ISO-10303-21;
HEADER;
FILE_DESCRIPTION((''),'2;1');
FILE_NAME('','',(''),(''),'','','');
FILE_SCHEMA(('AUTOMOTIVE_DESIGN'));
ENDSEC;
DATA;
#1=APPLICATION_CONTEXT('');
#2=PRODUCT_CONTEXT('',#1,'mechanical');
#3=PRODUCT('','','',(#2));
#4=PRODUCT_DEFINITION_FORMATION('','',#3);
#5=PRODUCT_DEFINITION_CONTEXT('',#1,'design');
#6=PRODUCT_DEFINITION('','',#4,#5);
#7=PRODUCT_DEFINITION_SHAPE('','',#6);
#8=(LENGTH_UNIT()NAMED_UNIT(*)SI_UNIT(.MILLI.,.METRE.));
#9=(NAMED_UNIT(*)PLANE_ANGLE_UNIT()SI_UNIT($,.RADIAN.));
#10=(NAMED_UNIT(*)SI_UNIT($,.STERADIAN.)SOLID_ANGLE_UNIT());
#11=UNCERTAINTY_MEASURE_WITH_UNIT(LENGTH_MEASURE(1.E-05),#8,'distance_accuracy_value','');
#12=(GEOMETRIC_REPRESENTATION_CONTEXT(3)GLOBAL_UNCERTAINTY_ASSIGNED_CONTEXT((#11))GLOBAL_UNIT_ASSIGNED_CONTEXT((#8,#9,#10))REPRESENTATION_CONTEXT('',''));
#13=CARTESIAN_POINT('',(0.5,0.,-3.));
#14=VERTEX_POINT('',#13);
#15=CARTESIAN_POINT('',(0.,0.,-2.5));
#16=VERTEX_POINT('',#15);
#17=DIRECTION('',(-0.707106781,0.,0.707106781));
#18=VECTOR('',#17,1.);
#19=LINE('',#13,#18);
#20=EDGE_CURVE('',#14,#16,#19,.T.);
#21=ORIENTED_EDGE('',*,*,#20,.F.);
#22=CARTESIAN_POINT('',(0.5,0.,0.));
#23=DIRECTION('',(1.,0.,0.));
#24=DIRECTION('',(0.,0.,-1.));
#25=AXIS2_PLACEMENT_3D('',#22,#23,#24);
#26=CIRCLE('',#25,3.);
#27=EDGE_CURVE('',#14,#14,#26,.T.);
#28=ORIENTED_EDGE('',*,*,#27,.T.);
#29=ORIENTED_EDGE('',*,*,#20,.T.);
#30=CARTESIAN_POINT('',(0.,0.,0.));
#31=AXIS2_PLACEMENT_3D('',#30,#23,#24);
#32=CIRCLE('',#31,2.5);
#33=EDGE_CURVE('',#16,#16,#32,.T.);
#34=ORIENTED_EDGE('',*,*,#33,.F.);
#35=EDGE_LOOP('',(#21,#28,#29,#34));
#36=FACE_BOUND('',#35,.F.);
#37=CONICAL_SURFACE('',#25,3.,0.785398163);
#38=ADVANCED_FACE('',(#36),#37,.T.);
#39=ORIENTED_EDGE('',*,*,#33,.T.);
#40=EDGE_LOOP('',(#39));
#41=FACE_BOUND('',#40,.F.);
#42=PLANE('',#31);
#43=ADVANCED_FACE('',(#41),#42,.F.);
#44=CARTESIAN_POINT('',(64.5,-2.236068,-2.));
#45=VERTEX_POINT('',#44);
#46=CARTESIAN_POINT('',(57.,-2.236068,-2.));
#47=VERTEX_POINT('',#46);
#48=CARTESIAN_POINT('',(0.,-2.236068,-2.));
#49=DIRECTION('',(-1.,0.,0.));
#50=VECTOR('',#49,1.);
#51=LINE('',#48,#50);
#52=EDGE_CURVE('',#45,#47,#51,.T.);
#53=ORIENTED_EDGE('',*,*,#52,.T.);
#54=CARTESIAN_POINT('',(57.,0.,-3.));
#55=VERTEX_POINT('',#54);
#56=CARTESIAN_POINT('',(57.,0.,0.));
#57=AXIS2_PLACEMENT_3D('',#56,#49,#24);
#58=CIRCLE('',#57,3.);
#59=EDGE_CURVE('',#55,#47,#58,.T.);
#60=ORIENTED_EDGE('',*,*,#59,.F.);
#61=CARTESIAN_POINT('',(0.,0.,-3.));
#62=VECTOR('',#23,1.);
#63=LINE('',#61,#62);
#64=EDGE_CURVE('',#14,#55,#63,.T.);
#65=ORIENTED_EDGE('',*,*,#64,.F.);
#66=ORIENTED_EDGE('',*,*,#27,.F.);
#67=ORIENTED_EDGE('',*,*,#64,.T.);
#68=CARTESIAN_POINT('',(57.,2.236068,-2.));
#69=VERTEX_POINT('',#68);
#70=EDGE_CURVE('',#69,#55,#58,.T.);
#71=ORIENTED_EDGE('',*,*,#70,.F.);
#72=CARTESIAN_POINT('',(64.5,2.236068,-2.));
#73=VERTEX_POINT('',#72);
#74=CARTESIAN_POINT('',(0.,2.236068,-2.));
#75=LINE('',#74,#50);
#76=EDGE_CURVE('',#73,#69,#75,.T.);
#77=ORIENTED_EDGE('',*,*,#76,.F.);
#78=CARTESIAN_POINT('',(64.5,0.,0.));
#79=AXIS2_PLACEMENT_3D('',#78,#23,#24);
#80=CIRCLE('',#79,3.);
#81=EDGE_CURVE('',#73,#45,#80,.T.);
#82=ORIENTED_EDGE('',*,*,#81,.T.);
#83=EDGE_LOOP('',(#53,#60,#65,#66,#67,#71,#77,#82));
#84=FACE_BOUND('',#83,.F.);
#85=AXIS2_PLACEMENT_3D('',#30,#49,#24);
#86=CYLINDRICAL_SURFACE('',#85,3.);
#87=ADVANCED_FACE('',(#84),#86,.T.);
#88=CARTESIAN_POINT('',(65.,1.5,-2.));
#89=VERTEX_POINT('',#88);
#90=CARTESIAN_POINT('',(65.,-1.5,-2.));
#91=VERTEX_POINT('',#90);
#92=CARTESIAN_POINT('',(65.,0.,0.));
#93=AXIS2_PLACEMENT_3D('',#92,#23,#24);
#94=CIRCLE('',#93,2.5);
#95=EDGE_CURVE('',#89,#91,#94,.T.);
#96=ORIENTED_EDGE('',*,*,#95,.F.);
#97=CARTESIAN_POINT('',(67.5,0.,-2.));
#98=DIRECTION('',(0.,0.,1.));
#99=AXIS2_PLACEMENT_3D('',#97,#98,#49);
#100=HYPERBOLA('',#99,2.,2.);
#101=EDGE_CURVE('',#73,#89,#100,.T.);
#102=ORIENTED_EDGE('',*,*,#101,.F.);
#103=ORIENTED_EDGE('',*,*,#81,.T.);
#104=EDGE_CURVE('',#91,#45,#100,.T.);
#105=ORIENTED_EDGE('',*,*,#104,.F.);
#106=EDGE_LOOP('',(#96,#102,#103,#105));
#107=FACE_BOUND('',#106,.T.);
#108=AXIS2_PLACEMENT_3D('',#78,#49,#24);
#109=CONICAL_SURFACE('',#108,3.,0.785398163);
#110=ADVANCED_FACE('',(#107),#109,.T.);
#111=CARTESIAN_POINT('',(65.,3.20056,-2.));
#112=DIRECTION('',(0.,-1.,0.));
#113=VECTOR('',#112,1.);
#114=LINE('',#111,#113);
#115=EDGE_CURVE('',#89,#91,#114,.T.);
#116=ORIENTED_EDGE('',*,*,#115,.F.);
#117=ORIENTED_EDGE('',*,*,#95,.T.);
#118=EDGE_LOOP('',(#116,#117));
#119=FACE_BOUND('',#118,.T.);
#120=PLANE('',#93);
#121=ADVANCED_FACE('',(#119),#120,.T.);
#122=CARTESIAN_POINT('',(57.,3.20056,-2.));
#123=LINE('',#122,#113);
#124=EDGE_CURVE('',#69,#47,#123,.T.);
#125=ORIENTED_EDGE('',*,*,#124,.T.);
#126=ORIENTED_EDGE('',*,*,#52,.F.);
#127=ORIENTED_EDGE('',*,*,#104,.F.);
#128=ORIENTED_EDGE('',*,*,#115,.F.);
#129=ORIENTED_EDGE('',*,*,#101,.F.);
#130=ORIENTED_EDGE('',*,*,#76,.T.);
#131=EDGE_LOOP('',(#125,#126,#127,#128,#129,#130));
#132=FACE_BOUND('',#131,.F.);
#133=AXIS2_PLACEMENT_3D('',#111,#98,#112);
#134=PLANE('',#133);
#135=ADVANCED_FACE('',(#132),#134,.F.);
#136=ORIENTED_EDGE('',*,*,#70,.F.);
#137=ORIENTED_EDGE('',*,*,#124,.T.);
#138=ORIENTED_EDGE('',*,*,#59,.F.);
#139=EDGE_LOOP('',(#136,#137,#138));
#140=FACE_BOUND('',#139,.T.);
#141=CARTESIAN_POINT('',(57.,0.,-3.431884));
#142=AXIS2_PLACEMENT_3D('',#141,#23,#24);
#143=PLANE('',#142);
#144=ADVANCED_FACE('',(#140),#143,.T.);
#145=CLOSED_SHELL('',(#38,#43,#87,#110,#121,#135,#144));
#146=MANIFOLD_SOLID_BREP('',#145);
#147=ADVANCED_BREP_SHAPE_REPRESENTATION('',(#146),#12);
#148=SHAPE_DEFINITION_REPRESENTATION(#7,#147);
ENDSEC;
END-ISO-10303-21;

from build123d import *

# Parameters (mm, degrees)
SKETCH1_R           = 3
BOSS_EXTRUDE1_DEPTH = 65
CHAMFER1_SIZE       = 0.5
CUT_EXTRUDE1_DEPTH  = 8


with BuildPart() as part:
    # Sketch1 → Boss-Extrude1 (new body)
    with BuildSketch(Plane(origin=(0, 0, 0), x_dir=(0, 0, -1), z_dir=(1, 0, 0))):
        Circle(SKETCH1_R)
    extrude(amount=BOSS_EXTRUDE1_DEPTH)

    # Chamfer1
    chamfer1_edges = [part.edges().sort_by_distance(p)[0] for p in [
        (0, 0, 3),
        (65, 0, 3),
    ]]
    chamfer(chamfer1_edges, length=CHAMFER1_SIZE)

    # Sketch2 → Cut-Extrude1 (cut)
    with BuildSketch(Plane(origin=(65, 0, 0), x_dir=(0, 0, -1), z_dir=(1, 0, 0))):
        with BuildLine():
            Line((2, 3.200559859), (2, -3.200559859))
            ThreePointArc((2, -3.200559859), (5.959294163, 0), (2, 3.200559859))
        make_face()
    extrude(amount=-CUT_EXTRUDE1_DEPTH, mode=Mode.SUBTRACT)


solid = part.part
